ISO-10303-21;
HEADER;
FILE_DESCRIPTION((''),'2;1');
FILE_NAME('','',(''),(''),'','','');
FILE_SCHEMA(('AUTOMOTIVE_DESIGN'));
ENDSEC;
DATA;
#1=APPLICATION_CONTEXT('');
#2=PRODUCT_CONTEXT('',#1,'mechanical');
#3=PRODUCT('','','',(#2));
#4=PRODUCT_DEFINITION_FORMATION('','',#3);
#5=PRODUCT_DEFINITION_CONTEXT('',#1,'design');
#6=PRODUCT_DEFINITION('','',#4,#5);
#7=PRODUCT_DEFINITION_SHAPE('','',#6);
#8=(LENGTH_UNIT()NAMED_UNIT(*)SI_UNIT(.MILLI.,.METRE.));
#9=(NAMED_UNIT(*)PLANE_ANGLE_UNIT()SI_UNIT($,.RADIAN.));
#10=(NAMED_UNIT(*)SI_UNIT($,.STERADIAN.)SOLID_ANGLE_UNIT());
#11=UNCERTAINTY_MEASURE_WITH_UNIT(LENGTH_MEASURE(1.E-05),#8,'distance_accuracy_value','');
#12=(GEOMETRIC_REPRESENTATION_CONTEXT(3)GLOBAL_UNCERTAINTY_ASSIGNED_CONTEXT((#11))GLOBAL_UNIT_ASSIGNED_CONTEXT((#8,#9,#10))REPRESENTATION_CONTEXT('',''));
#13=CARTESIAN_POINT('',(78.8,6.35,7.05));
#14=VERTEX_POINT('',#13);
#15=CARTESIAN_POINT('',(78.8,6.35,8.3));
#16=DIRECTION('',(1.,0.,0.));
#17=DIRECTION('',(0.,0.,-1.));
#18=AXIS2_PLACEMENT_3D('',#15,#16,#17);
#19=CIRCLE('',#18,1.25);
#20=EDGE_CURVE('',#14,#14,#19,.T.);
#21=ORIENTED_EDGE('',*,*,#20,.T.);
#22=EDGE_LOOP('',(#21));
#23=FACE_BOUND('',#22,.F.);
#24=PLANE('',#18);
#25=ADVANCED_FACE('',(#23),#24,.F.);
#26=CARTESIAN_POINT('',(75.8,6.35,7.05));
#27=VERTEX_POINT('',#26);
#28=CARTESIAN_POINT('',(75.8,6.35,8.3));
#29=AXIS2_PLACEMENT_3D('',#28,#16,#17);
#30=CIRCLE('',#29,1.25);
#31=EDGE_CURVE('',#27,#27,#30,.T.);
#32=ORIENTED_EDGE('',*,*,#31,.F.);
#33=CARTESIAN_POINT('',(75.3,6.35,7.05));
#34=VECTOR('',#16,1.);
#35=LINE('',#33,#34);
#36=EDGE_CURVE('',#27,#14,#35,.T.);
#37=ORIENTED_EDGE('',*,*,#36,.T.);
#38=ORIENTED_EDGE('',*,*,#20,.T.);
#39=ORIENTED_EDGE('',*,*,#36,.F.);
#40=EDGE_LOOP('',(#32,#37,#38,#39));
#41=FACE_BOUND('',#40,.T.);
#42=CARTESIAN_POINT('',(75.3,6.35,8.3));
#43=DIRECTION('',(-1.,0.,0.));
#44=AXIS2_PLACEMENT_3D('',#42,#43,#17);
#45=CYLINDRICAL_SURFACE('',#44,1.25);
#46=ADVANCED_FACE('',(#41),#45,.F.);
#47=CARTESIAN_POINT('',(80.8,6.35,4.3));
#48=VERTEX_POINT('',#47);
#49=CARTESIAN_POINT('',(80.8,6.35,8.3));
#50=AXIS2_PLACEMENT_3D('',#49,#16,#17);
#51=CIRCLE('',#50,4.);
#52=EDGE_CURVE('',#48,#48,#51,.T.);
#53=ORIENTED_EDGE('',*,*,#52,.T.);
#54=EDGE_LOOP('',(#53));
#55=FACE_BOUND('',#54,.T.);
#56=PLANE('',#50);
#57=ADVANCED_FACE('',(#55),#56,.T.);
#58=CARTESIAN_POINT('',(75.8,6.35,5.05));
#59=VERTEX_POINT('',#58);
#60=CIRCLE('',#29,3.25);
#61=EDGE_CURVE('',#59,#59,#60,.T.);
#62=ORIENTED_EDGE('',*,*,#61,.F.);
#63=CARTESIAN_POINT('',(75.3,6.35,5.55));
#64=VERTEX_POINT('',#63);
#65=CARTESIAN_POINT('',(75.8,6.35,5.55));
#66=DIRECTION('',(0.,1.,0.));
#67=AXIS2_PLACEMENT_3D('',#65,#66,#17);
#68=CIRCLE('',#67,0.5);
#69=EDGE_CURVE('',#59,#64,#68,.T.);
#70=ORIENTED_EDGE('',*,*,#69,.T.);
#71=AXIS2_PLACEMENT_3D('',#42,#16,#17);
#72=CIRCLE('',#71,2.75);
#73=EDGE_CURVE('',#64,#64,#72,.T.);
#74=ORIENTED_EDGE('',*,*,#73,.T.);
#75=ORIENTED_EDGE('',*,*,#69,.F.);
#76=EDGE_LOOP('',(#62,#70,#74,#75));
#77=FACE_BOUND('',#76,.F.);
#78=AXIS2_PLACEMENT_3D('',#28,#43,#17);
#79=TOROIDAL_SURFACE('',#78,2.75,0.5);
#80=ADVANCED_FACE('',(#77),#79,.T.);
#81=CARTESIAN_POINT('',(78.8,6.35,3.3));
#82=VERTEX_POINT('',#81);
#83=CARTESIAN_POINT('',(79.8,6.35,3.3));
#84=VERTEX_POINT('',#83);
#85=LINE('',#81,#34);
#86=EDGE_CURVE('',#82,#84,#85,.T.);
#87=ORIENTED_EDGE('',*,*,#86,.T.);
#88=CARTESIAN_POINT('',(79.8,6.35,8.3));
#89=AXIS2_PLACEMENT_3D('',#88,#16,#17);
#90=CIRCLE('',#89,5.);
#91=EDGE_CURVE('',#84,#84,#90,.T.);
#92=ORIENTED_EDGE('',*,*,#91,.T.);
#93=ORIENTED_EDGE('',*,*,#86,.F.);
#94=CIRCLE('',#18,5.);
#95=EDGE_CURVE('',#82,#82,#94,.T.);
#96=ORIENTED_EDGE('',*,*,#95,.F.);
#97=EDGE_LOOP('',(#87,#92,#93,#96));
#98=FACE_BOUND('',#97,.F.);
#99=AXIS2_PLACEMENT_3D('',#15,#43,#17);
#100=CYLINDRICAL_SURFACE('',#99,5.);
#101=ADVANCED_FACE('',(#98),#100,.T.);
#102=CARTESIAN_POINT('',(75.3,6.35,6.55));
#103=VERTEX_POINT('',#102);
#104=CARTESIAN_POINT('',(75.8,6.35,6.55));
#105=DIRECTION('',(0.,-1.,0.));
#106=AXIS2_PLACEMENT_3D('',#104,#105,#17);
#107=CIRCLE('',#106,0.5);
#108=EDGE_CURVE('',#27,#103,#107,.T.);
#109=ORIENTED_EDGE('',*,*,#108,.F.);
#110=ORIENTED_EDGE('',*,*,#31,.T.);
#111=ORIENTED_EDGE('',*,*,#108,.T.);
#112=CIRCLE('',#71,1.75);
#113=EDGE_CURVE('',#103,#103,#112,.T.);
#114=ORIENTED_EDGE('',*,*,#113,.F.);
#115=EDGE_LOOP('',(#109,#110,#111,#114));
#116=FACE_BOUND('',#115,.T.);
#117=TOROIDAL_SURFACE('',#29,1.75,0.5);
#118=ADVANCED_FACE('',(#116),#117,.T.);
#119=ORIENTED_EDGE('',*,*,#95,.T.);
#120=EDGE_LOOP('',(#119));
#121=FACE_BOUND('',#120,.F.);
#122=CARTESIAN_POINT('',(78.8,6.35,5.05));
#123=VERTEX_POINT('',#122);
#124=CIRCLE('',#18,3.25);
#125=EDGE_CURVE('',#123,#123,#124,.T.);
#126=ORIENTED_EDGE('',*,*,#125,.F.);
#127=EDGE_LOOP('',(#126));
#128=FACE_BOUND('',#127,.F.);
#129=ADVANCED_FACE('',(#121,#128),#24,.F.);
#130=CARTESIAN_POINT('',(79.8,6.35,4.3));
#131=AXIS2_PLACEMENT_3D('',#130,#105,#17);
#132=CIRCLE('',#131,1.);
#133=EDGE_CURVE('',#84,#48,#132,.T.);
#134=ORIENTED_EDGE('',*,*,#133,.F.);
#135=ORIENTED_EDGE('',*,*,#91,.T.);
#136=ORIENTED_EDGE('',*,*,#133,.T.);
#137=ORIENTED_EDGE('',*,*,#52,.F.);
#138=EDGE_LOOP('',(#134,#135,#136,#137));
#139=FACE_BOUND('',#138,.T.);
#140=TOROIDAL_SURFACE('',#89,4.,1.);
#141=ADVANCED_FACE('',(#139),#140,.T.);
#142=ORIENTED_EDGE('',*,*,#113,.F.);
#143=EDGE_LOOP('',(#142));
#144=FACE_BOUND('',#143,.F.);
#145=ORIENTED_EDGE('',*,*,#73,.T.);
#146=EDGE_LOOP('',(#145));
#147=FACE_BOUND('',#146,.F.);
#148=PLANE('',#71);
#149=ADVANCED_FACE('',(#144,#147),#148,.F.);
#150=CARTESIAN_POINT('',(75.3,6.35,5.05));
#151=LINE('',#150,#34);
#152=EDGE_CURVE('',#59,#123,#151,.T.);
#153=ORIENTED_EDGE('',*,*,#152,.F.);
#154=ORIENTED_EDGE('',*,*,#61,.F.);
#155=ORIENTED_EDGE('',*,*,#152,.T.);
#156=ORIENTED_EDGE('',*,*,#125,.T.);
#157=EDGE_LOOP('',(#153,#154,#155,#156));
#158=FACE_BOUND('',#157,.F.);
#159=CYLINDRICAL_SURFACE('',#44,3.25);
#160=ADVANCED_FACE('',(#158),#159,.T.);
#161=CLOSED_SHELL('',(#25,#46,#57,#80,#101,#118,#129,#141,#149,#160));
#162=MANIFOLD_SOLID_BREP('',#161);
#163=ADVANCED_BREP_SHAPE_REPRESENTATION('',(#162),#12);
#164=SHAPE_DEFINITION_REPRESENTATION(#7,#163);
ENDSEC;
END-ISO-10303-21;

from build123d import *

# Parameters (mm, degrees)
TUBE_R            = 3.25
TUBE_R_2          = 1.25
TUBE_DEPTH        = 3.5
FILLET008_R       = 0.5
CYLINDER033_R     = 5
CYLINDER033_DEPTH = 2
FILLET007_R       = 1


with BuildPart() as fillet008:
    # Tube → Tube (new body)
    with BuildSketch(Plane(origin=(75.3, 6.35, 8.3), x_dir=(0, 0, -1), z_dir=(1, 0, 0))):
        Circle(TUBE_R)
        Circle(TUBE_R_2, mode=Mode.SUBTRACT)
    extrude(amount=TUBE_DEPTH)

    # Fillet008
    fillet008_edges = [fillet008.edges().sort_by_distance(p)[0] for p in [
        (75.3, 6.35, 11.55),
        (75.3, 6.35, 9.55),
    ]]
    fillet(fillet008_edges, radius=FILLET008_R)


with BuildPart() as dc_cap:
    # Cylinder033 → Cylinder033 (new body)
    with BuildSketch(Plane(origin=(78.8, 6.35, 8.3), x_dir=(0, 0, -1), z_dir=(1, 0, 0))):
        Circle(CYLINDER033_R)
    extrude(amount=CYLINDER033_DEPTH)

    # Fillet007
    fillet007_edges = [dc_cap.edges().sort_by_distance(p)[0] for p in [
        (80.8, 6.35, 13.3),
    ]]
    fillet(fillet007_edges, radius=FILLET007_R)

    # Fusion028: union Fillet008
    add(fillet008.part)


solid = dc_cap.part
